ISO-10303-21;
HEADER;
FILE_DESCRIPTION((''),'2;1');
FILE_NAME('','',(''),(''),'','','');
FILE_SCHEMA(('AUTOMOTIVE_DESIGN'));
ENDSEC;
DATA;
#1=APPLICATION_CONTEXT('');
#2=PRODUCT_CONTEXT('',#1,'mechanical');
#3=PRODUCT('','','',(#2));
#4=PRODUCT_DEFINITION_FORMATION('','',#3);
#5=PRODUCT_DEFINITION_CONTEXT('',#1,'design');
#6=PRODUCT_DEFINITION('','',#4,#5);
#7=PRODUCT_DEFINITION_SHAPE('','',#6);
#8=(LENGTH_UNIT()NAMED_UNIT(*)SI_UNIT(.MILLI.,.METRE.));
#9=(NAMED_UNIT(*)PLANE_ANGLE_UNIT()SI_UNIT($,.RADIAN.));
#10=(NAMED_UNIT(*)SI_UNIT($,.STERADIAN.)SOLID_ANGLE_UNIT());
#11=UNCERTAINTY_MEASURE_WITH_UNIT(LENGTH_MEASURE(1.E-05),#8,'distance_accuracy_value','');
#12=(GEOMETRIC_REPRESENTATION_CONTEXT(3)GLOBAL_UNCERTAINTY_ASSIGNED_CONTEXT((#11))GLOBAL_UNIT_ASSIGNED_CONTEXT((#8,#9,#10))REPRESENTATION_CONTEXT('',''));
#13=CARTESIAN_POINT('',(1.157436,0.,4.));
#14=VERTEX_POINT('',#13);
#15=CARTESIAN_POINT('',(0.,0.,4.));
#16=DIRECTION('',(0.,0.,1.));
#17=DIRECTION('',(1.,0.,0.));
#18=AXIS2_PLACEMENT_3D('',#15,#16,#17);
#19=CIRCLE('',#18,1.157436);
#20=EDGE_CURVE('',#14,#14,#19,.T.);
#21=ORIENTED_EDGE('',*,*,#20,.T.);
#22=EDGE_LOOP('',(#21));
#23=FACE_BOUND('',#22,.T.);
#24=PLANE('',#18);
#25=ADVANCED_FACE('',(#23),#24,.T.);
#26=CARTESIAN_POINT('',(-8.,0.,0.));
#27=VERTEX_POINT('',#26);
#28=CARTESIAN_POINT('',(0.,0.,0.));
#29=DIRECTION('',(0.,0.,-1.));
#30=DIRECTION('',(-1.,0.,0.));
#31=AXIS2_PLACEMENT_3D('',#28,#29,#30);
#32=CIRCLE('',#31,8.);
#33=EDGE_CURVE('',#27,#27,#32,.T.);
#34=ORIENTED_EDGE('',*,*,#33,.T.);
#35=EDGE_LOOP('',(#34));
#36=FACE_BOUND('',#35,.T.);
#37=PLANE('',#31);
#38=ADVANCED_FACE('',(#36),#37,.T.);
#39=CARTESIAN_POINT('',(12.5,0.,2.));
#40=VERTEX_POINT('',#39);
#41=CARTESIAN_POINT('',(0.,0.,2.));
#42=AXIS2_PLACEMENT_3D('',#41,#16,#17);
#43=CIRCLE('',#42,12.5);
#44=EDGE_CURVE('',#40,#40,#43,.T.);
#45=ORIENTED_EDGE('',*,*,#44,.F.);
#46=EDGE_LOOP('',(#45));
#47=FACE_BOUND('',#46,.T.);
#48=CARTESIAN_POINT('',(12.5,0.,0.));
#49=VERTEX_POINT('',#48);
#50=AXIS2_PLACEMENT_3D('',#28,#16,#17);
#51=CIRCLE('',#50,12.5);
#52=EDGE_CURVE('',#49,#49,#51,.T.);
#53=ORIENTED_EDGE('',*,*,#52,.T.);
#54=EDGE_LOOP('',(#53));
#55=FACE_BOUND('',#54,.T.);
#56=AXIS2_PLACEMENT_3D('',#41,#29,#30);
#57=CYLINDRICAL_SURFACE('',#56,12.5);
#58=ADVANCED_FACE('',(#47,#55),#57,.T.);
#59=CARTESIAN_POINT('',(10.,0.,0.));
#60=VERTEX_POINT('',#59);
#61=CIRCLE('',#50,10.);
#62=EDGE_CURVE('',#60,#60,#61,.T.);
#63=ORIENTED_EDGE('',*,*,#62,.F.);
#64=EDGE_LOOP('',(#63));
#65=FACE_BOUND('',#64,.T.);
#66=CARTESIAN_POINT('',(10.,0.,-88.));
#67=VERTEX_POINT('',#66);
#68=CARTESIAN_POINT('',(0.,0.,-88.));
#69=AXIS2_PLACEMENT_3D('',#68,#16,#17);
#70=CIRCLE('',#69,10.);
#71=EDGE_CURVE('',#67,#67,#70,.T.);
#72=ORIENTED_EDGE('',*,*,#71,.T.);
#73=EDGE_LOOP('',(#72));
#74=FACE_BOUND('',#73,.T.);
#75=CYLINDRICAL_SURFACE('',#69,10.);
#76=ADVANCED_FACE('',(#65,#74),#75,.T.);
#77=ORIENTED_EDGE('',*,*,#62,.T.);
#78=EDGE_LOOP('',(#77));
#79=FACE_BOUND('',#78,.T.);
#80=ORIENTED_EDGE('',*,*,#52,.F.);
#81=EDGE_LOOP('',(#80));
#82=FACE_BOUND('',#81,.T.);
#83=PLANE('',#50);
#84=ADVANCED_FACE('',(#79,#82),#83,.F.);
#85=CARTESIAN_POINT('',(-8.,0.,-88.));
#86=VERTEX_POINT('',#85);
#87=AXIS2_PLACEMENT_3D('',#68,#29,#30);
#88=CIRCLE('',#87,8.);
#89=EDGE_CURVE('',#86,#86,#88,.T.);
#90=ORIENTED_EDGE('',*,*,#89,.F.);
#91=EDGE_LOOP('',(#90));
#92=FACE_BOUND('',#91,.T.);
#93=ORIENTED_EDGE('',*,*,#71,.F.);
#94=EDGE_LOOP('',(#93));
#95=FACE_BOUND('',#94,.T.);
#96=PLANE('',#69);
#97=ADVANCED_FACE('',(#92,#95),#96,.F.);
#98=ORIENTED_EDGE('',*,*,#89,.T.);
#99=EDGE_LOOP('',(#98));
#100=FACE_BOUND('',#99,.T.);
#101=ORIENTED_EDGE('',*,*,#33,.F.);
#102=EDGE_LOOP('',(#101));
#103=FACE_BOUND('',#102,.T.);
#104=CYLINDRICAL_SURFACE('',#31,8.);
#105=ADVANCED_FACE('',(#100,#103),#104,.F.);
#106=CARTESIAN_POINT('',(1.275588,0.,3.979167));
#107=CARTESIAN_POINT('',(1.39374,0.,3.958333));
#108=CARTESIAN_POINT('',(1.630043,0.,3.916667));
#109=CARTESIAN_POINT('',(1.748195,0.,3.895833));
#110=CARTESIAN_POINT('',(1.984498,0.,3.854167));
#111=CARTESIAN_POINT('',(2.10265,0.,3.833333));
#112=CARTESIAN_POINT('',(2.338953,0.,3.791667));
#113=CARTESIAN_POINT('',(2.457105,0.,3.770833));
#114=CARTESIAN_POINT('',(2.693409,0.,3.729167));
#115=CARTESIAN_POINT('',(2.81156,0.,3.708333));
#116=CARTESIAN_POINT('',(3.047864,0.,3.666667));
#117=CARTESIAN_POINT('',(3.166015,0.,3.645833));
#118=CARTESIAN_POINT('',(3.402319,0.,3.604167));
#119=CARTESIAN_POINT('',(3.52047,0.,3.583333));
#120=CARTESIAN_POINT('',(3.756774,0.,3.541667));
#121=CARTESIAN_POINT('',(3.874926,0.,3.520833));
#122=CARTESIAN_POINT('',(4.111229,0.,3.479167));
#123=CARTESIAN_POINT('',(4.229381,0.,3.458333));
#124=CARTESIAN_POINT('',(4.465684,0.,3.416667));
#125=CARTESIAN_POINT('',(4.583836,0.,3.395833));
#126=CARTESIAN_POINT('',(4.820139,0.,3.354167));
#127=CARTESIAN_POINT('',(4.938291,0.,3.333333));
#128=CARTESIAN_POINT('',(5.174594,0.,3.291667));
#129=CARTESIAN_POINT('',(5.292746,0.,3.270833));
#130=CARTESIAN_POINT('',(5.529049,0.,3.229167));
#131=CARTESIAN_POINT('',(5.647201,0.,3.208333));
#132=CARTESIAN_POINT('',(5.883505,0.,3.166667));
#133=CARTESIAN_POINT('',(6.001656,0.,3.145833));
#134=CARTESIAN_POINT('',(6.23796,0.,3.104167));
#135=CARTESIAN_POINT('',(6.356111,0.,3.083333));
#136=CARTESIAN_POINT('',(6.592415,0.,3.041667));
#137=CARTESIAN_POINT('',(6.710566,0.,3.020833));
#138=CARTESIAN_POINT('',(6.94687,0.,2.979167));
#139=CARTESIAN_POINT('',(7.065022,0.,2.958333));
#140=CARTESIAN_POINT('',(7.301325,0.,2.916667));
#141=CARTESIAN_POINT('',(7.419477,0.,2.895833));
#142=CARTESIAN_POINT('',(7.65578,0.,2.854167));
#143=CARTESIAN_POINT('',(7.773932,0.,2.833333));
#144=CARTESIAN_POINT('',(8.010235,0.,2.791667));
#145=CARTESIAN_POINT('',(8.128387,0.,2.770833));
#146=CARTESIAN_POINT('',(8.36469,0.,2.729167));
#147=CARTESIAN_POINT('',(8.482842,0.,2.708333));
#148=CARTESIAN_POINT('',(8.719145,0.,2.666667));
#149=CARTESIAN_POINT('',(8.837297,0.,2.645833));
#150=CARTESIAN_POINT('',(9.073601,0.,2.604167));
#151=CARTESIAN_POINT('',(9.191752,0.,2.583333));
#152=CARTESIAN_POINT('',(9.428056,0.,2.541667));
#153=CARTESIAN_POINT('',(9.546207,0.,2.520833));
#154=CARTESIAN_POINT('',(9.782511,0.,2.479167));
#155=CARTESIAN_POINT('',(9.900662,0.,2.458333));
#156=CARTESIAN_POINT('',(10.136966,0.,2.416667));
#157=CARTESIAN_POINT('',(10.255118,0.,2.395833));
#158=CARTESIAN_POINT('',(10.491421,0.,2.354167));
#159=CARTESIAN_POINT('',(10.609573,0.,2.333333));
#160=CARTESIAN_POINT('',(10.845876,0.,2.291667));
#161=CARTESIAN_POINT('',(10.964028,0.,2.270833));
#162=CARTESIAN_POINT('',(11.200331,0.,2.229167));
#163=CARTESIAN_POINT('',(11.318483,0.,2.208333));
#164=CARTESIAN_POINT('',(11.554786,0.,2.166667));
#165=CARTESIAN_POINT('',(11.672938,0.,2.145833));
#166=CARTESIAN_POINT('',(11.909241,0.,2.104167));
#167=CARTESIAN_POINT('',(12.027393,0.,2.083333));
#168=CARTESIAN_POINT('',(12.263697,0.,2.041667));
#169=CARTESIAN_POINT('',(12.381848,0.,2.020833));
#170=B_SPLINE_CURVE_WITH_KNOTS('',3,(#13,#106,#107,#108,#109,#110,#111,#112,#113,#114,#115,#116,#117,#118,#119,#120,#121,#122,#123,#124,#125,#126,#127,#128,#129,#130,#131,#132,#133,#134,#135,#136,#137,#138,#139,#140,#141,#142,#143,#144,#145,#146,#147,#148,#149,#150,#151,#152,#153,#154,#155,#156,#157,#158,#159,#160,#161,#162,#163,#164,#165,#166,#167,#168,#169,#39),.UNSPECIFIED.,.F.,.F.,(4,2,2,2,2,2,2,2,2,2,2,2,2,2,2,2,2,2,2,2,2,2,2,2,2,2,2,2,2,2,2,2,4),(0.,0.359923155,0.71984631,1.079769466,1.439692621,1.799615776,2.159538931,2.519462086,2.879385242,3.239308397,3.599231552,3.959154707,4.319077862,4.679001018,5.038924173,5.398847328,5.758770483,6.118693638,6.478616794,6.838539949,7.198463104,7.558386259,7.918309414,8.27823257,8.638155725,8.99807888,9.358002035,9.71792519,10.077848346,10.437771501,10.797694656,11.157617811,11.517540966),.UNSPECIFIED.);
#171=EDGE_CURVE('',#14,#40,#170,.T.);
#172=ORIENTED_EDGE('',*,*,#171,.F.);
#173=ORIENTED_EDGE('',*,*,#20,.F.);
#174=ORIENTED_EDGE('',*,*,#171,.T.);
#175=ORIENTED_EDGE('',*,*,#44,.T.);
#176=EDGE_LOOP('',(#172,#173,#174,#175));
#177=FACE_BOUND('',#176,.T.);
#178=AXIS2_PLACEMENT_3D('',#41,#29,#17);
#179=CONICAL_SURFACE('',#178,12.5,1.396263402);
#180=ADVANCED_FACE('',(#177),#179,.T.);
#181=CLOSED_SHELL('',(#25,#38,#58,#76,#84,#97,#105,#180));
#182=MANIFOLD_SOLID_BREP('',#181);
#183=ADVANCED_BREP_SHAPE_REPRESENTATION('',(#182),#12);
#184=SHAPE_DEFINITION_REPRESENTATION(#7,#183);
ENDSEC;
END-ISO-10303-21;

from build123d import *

# Parameters (mm, degrees)
SKETCH1_R           = 10
BOSS_EXTRUDE2_DEPTH = 88
SKETCH5_R           = 12.5
BOSS_EXTRUDE3_DEPTH = 2
SKETCH6_R           = 12.5
BOSS_EXTRUDE4_DEPTH = 2
BOSS_EXTRUDE4_TAPER = 80
SKETCH7_R           = 8
CUT_EXTRUDE1_DEPTH  = 88


with BuildPart() as part:
    # Sketch1 → Boss-Extrude2 (new body)
    with BuildSketch(Plane.XY):
        Circle(SKETCH1_R)
    extrude(amount=-BOSS_EXTRUDE2_DEPTH)

    # Sketch5 → Boss-Extrude3 (add)
    with BuildSketch(Plane.XY):
        Circle(SKETCH5_R)
    extrude(amount=BOSS_EXTRUDE3_DEPTH)

    # Sketch6 → Boss-Extrude4 (add)
    with BuildSketch(Plane.XY.offset(2)):
        Circle(SKETCH6_R)
    extrude(amount=BOSS_EXTRUDE4_DEPTH, taper=BOSS_EXTRUDE4_TAPER)

    # Sketch7 → Cut-Extrude1 (cut)
    with BuildSketch(Plane(origin=(0, 0, -88), x_dir=(-1, 0, 0), z_dir=(0, 0, -1))):
        Circle(SKETCH7_R)
    extrude(amount=-CUT_EXTRUDE1_DEPTH, mode=Mode.SUBTRACT)


solid = part.part
